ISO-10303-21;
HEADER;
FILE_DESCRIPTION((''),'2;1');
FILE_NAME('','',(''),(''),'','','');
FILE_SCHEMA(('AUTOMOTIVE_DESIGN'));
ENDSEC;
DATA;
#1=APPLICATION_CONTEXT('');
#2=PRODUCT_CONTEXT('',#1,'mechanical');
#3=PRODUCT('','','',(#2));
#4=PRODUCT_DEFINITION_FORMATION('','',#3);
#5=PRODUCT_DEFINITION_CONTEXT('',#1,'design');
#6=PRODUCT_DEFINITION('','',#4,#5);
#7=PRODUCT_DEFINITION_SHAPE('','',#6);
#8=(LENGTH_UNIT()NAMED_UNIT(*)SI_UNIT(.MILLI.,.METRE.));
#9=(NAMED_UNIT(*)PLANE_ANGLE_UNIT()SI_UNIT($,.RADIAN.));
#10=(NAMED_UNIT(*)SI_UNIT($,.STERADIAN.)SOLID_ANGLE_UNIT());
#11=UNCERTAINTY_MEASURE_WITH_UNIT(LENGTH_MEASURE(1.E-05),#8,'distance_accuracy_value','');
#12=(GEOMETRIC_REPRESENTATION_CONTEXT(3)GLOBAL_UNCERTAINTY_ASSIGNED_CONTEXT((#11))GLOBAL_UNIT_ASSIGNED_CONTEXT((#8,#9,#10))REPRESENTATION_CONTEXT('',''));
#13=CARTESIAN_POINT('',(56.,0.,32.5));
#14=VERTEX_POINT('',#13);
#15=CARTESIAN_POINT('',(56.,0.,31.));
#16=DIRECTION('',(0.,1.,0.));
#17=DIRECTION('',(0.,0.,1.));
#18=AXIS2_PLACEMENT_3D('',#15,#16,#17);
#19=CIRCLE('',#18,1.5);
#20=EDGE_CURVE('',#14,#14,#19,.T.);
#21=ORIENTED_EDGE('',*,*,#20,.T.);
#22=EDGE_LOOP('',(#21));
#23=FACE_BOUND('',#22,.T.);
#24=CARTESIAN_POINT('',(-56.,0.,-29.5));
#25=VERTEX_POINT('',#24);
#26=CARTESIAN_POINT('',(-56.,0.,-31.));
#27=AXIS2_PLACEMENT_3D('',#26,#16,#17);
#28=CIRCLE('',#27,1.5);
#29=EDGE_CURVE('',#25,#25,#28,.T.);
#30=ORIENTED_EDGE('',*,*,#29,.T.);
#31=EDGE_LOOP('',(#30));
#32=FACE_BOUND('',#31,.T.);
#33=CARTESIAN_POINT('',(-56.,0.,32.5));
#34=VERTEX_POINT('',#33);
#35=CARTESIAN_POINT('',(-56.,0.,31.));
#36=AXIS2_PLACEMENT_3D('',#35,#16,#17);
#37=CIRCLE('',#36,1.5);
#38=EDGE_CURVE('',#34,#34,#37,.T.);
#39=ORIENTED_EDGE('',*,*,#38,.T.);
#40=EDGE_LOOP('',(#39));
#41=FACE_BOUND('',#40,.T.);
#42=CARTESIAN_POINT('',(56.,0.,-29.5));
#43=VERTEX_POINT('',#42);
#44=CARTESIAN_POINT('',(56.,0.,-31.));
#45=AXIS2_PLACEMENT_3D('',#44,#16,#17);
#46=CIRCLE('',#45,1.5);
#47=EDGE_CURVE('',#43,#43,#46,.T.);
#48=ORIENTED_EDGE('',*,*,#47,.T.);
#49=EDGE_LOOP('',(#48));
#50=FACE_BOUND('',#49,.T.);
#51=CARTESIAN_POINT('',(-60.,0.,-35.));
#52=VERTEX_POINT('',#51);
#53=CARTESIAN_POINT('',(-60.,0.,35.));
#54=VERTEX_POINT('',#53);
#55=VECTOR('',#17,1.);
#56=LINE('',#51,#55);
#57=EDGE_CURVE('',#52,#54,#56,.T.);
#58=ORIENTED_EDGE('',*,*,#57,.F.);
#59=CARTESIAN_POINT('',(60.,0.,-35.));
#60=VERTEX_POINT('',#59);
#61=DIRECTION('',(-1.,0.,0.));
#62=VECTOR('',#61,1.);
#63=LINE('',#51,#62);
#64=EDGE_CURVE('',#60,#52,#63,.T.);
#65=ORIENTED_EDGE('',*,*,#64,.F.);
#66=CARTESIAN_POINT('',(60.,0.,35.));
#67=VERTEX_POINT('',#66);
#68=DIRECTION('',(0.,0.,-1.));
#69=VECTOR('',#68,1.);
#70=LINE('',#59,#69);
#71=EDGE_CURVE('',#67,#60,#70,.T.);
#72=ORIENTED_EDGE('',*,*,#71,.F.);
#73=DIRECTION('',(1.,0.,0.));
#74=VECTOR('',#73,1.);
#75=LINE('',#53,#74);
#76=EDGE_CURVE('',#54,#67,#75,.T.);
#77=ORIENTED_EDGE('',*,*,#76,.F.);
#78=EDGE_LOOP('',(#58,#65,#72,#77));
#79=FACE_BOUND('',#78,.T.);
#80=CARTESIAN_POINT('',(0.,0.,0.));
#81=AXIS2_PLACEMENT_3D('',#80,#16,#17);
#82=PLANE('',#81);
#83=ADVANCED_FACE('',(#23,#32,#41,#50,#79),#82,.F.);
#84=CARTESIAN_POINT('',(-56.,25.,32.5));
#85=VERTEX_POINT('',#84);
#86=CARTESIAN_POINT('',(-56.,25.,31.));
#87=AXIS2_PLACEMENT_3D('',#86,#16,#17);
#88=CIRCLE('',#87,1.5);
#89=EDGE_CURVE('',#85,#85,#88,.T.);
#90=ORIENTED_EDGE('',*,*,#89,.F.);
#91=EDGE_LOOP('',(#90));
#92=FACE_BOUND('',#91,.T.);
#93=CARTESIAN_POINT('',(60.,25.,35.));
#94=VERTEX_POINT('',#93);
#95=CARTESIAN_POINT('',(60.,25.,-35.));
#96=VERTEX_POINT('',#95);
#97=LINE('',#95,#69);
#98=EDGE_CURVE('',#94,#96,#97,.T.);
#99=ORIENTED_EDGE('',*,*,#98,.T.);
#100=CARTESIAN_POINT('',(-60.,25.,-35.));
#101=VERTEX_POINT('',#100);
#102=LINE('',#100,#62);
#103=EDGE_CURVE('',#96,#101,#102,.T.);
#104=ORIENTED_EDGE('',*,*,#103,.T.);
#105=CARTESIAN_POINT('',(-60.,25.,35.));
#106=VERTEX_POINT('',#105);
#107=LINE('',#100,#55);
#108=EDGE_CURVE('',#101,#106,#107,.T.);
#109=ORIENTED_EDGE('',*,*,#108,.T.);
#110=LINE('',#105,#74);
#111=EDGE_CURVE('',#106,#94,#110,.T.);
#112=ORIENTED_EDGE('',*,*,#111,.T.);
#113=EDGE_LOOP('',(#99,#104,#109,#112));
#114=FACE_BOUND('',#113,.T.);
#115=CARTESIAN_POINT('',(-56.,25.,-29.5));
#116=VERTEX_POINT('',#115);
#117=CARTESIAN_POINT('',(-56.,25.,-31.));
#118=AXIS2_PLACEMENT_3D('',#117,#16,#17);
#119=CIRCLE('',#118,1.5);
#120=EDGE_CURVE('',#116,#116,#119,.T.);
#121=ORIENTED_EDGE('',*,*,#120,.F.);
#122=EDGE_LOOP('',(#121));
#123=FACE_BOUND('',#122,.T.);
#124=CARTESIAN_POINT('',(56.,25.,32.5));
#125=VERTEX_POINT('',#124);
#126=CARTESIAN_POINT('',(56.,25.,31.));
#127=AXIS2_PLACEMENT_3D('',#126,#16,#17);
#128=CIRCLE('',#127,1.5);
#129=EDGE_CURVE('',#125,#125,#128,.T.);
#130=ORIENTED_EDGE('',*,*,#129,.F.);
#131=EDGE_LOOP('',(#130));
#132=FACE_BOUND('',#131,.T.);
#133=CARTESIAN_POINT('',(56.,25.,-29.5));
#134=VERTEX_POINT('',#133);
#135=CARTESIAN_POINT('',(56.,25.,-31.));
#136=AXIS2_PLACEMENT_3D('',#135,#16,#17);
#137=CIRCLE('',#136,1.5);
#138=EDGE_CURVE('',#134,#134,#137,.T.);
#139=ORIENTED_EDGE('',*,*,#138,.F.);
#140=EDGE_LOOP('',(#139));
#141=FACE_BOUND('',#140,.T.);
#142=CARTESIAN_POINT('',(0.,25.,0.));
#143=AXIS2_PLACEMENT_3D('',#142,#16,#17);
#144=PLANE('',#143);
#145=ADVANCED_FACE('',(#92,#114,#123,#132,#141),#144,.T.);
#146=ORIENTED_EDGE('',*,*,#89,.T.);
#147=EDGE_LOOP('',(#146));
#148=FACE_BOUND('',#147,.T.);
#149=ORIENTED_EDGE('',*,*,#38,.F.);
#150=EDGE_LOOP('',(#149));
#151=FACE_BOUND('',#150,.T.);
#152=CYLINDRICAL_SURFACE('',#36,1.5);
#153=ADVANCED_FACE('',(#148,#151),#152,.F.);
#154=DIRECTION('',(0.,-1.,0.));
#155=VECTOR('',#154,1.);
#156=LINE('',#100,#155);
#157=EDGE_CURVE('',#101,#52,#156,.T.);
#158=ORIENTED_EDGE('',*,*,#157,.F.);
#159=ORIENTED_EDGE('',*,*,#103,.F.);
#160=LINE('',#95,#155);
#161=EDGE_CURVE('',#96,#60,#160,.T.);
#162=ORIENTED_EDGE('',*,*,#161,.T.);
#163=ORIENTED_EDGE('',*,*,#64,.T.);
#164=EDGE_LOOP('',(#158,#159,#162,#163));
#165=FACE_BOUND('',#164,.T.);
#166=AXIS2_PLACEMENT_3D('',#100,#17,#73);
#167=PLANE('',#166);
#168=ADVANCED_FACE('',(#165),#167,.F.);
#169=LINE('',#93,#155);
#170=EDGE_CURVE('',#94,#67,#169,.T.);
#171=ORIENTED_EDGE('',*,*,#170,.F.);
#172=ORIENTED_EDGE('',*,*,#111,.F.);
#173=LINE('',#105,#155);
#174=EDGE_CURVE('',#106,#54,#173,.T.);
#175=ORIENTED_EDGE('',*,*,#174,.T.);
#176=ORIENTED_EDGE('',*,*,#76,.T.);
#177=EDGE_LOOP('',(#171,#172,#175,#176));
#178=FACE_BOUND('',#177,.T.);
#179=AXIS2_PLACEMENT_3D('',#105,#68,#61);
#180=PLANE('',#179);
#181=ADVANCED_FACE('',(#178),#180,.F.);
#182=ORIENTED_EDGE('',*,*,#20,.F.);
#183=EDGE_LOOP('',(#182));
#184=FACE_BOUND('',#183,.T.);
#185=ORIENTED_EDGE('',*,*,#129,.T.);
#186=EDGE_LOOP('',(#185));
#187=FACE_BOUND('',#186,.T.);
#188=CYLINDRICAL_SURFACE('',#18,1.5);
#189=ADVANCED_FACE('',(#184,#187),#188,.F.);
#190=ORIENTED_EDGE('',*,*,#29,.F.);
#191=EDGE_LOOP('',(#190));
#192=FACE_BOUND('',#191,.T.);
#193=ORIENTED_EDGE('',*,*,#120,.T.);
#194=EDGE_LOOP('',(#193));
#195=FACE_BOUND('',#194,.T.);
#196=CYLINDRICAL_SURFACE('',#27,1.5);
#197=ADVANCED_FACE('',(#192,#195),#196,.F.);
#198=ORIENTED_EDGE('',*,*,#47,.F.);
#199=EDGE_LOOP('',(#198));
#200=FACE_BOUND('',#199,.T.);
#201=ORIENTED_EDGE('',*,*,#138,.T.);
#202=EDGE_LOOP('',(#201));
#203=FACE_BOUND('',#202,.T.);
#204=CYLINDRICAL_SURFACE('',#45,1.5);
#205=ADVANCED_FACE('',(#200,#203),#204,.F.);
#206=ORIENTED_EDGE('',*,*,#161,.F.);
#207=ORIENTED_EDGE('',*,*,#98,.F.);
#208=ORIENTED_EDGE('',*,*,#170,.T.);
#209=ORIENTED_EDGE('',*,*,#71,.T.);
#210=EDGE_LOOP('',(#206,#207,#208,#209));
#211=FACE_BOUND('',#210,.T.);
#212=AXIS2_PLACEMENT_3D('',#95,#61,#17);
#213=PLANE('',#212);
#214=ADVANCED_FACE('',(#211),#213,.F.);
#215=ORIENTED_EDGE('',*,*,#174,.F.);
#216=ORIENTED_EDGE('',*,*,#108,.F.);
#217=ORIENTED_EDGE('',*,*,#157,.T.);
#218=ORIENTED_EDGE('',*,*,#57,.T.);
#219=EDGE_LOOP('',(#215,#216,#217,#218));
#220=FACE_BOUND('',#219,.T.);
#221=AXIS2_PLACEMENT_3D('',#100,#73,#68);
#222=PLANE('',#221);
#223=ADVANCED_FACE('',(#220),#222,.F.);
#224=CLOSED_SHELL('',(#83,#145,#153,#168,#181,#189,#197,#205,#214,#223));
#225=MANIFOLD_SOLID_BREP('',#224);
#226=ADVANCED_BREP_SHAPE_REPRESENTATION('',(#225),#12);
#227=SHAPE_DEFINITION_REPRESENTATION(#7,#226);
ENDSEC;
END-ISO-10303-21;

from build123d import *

# Parameters (mm, degrees)
SKETCH1_W               = 120
SKETCH1_H               = 70
BOSS_EXTRUDE1_DEPTH     = 25
SKETCH2_R               = 1.5
CUT_EXTRUDE1_DEPTH      = 1
CUT_EXTRUDE1_DEPTH_BACK = 26


with BuildPart() as part:
    # Sketch1 → Boss-Extrude1 (new body)
    with BuildSketch(Plane(origin=(0, 0, 0), x_dir=(1, 0, 0), z_dir=(0, 1, 0))):
        Rectangle(SKETCH1_W, SKETCH1_H)
    extrude(amount=BOSS_EXTRUDE1_DEPTH)

    # Sketch2 → Cut-Extrude1 (cut, two sides)
    with BuildSketch(Plane(origin=(0, 25, 0), x_dir=(1, 0, 0), z_dir=(0, 1, 0))) as cut_extrude1_sk:
        with Locations((-56, 31)):
            Circle(SKETCH2_R)
        with Locations((56, 31)):
            Circle(SKETCH2_R)
        with Locations((56, -31)):
            Circle(SKETCH2_R)
        with Locations((-56, -31)):
            Circle(SKETCH2_R)
    extrude(amount=CUT_EXTRUDE1_DEPTH, mode=Mode.SUBTRACT)
    extrude(cut_extrude1_sk.sketch, amount=-CUT_EXTRUDE1_DEPTH_BACK, mode=Mode.SUBTRACT)


solid = part.part
